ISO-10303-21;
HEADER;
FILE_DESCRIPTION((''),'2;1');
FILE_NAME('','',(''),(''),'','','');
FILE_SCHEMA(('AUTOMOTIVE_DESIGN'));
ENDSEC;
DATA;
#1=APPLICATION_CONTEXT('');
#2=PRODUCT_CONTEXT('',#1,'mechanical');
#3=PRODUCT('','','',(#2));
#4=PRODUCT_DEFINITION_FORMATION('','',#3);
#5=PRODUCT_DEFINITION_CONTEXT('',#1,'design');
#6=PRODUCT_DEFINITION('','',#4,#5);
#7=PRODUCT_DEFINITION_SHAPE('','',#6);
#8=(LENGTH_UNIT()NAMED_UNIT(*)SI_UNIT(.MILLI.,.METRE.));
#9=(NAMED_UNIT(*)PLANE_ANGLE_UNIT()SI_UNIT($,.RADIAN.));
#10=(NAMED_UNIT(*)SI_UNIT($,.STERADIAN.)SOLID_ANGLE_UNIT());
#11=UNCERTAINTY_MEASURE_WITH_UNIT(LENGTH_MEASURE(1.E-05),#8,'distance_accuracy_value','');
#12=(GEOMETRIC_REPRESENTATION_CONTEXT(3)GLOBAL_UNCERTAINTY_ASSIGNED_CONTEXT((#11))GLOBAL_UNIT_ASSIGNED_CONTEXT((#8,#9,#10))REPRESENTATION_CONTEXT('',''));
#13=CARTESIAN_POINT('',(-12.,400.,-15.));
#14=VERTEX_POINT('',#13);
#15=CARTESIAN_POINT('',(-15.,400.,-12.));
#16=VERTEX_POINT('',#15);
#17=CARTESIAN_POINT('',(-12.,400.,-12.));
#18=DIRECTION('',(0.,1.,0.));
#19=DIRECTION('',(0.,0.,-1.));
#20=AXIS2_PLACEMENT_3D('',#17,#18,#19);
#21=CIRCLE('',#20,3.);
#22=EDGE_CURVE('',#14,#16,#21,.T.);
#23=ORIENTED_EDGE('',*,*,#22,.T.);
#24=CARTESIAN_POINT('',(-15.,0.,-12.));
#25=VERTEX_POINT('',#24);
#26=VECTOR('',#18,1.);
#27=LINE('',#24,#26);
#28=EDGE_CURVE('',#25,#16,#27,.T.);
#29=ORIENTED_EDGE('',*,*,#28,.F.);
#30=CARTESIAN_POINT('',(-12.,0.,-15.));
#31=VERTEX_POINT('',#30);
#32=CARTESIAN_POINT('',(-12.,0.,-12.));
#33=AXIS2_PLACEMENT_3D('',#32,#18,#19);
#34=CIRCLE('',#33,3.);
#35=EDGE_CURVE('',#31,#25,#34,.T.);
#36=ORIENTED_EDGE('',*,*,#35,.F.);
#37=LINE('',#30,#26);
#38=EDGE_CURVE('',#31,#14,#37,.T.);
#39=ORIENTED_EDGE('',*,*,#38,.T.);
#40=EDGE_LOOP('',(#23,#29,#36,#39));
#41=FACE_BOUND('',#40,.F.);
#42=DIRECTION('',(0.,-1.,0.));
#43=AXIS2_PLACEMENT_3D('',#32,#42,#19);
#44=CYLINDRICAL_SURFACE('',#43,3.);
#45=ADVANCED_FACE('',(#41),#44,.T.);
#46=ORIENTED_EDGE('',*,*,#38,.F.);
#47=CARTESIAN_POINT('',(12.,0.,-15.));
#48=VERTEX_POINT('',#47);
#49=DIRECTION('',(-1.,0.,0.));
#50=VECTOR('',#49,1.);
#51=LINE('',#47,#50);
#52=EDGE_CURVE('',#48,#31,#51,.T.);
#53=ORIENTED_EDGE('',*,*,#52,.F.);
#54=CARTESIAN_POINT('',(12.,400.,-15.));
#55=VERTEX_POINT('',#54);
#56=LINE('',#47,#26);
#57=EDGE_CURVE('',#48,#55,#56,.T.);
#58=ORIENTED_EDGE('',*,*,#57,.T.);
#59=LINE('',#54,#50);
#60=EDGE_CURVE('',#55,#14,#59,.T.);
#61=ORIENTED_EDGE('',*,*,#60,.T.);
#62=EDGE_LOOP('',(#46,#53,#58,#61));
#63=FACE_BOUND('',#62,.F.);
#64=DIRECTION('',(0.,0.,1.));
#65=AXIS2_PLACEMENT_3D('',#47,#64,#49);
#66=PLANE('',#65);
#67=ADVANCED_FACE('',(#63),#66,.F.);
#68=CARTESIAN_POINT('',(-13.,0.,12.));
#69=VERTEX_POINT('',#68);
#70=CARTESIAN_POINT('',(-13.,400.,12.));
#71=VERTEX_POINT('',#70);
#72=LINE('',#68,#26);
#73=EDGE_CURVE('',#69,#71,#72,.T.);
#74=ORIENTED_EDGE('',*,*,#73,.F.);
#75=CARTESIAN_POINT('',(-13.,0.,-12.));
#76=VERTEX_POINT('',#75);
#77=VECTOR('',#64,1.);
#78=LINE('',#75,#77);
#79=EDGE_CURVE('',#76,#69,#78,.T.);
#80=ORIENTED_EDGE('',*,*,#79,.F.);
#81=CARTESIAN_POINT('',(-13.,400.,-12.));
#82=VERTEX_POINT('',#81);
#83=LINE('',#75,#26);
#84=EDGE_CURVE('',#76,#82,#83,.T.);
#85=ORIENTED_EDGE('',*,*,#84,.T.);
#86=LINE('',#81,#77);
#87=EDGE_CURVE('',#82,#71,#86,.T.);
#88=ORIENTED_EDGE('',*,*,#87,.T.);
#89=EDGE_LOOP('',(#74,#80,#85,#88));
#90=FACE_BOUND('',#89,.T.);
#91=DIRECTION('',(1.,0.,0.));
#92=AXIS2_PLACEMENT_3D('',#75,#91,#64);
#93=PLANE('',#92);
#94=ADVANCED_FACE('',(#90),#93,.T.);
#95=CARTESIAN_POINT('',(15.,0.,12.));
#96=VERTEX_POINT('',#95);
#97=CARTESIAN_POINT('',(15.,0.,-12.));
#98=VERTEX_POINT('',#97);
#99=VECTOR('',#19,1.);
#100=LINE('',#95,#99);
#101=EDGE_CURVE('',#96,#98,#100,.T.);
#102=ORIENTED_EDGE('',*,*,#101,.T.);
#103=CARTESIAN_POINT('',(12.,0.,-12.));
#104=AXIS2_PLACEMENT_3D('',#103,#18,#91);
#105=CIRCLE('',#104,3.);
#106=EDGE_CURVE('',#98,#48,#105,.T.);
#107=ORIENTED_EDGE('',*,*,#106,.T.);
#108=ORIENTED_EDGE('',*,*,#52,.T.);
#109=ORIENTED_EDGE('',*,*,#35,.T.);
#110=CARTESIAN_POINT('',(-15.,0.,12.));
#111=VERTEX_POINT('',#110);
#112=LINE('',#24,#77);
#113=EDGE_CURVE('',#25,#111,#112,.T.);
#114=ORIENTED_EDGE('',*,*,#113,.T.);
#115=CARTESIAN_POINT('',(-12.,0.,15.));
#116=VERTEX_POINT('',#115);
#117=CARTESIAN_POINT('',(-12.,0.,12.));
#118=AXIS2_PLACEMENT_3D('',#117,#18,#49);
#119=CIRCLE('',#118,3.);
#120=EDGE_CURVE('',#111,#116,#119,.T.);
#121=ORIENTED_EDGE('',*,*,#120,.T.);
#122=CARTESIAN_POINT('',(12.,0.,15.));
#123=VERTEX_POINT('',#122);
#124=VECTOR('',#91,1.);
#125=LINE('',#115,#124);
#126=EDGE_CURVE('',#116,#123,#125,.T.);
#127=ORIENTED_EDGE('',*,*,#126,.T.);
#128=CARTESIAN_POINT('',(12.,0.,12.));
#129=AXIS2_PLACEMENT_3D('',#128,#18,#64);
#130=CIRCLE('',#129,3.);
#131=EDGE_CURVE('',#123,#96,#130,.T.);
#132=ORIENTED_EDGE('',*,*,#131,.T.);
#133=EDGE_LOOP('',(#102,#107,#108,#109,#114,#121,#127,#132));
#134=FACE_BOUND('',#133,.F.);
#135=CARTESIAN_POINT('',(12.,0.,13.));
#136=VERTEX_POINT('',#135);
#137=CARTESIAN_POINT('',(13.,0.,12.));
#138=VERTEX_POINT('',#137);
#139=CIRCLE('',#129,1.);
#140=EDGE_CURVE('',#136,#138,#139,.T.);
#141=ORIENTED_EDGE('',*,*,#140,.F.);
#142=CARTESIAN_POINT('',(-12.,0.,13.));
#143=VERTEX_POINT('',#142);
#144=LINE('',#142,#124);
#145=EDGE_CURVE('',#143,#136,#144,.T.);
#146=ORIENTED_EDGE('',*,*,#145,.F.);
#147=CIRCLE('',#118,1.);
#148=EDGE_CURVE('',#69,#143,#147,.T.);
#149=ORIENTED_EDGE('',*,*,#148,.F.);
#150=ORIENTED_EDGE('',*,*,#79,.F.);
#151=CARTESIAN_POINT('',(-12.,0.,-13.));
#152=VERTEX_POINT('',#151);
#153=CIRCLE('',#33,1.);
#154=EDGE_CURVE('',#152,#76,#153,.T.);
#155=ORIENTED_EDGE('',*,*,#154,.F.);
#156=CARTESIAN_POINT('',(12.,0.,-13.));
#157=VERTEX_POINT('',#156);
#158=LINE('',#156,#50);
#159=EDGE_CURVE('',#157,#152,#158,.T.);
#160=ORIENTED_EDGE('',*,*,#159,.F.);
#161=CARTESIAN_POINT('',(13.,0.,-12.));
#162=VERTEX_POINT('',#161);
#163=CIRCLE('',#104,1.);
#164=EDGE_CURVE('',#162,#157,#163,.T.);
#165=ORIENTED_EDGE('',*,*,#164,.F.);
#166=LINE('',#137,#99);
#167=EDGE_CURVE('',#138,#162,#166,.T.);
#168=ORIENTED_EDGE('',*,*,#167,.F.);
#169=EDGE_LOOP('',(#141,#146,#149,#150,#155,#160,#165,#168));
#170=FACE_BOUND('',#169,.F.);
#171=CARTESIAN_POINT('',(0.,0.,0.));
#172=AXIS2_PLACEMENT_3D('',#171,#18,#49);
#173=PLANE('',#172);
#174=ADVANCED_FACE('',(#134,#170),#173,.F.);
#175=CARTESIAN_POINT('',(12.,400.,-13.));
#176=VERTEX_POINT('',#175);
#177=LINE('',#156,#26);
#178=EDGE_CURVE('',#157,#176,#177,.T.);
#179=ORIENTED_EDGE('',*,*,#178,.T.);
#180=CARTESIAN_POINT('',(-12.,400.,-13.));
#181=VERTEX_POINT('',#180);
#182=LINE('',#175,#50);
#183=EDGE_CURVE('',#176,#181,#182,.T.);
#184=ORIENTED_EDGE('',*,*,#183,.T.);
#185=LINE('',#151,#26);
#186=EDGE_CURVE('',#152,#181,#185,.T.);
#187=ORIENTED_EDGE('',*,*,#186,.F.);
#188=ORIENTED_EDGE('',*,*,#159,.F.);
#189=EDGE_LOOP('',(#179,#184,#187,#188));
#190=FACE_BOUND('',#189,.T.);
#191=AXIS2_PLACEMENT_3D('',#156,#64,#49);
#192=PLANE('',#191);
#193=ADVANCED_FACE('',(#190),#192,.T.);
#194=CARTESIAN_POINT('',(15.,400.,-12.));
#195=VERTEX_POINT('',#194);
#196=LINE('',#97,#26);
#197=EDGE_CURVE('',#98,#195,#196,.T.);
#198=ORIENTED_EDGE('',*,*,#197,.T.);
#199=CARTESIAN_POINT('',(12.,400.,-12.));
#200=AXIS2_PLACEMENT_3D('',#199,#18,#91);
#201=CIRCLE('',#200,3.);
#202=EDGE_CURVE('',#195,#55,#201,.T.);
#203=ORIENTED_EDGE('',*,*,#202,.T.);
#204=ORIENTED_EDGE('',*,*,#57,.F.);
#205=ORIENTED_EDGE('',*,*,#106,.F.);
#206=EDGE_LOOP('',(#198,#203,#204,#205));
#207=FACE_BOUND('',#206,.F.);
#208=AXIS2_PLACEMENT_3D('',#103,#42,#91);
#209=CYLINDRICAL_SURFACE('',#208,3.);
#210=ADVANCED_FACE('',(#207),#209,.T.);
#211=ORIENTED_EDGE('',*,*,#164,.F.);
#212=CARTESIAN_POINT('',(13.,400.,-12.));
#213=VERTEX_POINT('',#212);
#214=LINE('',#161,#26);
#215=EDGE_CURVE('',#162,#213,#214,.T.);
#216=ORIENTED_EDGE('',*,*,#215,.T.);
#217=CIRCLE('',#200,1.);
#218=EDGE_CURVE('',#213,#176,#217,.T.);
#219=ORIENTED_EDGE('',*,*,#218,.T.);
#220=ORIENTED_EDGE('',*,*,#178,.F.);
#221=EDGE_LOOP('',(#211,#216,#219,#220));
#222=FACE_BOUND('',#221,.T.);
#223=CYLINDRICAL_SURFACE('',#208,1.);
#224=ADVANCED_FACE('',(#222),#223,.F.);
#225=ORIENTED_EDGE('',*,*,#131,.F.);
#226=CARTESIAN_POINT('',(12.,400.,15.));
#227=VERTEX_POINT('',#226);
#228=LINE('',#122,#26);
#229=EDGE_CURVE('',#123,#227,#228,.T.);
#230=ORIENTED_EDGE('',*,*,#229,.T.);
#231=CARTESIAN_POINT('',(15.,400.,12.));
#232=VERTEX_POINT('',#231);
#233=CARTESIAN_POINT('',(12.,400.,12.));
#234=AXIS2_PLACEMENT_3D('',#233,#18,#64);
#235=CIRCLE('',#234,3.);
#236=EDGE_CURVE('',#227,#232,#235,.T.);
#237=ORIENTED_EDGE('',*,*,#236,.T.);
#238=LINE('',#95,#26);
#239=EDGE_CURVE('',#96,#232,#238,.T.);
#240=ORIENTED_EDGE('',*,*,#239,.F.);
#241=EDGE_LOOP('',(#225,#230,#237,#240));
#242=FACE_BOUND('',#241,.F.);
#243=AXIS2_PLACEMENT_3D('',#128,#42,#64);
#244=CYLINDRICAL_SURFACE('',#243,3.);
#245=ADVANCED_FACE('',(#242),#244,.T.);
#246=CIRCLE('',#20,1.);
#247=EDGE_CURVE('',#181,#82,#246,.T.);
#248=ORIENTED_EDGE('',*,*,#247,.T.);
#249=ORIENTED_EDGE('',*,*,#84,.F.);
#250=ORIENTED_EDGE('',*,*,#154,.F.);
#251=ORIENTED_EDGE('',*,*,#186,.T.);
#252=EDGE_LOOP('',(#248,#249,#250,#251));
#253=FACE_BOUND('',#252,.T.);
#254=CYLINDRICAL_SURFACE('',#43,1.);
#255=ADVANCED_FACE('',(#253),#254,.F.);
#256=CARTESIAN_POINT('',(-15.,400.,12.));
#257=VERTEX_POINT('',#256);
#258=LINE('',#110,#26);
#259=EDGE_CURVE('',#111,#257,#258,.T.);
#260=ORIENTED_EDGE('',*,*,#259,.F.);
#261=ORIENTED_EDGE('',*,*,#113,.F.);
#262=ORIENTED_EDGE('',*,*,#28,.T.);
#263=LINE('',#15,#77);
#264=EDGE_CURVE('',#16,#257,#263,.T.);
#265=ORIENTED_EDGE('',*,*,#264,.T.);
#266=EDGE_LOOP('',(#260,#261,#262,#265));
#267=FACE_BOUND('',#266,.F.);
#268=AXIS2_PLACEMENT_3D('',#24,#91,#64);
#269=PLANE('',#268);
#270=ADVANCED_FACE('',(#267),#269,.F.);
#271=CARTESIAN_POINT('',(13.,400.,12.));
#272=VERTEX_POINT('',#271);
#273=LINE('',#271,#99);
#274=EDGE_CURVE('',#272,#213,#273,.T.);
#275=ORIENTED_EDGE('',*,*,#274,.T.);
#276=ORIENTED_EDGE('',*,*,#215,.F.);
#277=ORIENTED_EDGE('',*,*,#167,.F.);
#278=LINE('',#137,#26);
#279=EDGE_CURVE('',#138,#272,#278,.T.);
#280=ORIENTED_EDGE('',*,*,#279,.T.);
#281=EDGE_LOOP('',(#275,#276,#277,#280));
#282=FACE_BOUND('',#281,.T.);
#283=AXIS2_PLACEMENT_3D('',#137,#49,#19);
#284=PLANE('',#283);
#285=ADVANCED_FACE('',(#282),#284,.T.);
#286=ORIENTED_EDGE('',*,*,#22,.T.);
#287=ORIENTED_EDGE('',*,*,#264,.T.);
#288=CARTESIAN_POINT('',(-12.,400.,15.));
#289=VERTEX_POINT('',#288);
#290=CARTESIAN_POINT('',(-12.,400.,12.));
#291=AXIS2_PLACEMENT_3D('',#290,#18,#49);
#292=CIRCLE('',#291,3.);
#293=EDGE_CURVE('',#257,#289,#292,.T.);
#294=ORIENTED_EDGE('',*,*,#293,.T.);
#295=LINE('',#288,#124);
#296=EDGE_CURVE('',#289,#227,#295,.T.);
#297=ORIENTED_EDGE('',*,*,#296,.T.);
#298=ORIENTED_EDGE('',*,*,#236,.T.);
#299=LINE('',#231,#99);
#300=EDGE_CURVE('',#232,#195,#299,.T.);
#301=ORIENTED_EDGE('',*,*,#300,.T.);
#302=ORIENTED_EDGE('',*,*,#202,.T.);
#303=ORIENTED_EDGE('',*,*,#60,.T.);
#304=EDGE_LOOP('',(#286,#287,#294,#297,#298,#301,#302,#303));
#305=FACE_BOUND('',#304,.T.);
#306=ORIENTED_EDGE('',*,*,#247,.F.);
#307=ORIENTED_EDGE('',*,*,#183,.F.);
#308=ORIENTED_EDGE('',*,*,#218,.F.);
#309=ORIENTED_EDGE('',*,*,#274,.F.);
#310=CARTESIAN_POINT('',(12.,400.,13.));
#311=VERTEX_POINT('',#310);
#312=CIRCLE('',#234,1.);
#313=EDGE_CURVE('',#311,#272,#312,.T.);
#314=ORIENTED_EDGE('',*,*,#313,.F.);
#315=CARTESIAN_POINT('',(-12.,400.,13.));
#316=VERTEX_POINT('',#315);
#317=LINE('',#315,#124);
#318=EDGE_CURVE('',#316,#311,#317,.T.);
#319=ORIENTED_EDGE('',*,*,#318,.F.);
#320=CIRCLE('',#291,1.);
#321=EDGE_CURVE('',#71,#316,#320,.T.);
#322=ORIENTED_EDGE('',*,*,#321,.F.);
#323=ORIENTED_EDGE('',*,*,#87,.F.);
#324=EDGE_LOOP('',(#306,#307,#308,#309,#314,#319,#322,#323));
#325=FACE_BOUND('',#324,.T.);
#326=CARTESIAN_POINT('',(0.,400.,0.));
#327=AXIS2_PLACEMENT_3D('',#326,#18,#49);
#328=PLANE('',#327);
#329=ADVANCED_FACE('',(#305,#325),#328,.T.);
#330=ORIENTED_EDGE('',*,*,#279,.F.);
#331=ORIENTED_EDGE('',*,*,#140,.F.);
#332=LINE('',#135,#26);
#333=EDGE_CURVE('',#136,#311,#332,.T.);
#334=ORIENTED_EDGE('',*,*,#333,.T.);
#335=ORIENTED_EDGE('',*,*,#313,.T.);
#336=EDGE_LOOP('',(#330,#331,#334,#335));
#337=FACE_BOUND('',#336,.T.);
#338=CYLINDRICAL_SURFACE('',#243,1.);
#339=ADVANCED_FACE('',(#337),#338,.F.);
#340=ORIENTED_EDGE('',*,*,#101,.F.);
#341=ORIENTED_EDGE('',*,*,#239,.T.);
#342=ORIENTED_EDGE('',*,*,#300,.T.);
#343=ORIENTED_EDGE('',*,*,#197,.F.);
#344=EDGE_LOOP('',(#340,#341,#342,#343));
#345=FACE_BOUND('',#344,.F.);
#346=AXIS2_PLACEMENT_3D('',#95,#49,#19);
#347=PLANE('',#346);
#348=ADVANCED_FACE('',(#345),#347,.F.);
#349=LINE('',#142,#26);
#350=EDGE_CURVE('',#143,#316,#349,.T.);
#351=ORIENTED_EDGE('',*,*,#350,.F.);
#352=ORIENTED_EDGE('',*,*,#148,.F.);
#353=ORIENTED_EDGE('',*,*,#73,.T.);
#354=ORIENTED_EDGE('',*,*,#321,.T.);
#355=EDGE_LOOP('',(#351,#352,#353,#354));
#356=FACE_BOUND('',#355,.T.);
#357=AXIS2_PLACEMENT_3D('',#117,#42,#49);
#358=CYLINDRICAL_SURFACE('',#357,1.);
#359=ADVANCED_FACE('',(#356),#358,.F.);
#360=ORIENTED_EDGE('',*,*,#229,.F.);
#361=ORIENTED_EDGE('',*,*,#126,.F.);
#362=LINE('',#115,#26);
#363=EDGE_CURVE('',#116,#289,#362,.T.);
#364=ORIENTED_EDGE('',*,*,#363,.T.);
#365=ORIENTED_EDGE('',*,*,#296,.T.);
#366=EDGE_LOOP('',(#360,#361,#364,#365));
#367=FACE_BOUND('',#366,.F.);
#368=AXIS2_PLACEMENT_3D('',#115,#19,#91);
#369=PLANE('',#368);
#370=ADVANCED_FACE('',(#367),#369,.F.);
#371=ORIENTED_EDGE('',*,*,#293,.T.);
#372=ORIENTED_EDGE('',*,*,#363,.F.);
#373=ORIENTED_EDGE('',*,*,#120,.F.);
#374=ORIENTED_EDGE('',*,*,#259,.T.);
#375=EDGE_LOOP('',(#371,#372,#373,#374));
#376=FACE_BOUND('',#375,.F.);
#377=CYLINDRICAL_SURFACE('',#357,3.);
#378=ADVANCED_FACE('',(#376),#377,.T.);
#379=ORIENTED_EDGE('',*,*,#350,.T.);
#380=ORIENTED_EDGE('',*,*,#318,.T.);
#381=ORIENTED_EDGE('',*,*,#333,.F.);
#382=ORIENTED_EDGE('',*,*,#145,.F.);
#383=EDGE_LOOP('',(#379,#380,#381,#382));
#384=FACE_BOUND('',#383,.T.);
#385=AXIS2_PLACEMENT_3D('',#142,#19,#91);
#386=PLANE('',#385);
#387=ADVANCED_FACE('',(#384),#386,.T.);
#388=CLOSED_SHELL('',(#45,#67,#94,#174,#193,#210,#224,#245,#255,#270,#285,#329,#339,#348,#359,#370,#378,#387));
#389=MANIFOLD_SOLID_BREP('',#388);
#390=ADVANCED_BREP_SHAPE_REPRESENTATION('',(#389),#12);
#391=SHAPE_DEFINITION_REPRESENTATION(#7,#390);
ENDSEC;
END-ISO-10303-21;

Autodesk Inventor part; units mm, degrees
ref_plane "YZ Plane" through (0, 0, 0) normal (1, 0, 0) x (0, 1, 0)
ref_plane "XZ Plane" through (0, 0, 0) normal (0, 1, 0) x (-1, 0, 0)
sketch "Sketch1" plane through (0, 0, 0) normal (0, 1, 0) x (-1, 0, 0)
  line L0 (-12, 14) -> (12, 14) construction
  line L1 (14, 12) -> (14, -12) construction
  line L2 (12, -14) -> (-12, -14) construction
  line L3 (-14, -12) -> (-14, 12) construction
  line L4 (-14, 14) -> (14, -14) construction
  line L5 (14, 14) -> (-14, -14) construction
  arc A0 (14, 12) -> (12, 14) centre (12, 12) ccw construction
  arc A1 (12, -14) -> (14, -12) centre (12, -12) ccw construction
  arc A2 (-14, -12) -> (-12, -14) centre (-12, -12) ccw construction
  arc A3 (-12, 14) -> (-14, 12) centre (-12, 12) ccw construction
  line L6 (-12, -15) -> (12, -15)
  arc A4 (12, -15) -> (15, -12) centre (12, -12) ccw
  line L7 (15, -12) -> (15, 12)
  arc A5 (15, 12) -> (12, 15) centre (12, 12) ccw
  line L8 (12, 15) -> (-12, 15)
  arc A6 (-12, 15) -> (-15, 12) centre (-12, 12) ccw
  line L9 (-15, 12) -> (-15, -12)
  arc A7 (-15, -12) -> (-12, -15) centre (-12, -12) ccw
  line L10 (13, -12) -> (13, 12)
  arc A8 (13, 12) -> (12, 13) centre (12, 12) ccw
  line L11 (12, 13) -> (-12, 13)
  arc A9 (-12, 13) -> (-13, 12) centre (-12, 12) ccw
  line L12 (-13, 12) -> (-13, -12)
  arc A10 (-13, -12) -> (-12, -13) centre (-12, -12) ccw
  line L13 (-12, -13) -> (12, -13)
  arc A11 (12, -13) -> (13, -12) centre (12, -12) ccw
  point P0 (0, 0)
  point P1 (0, 0)
  point P2 (0, 0)
  dimension "d10" = 2
  dimension "depth" = 30
  dimension "width" = 30
  dimension "thickness" = 2
extrude "Extrusion1" add sketch "Sketch1" along normal blind 400
ref_plane "Work Plane1" through (0, 200, 0) normal (0, -1, 0) x (1, 0, 0)
equation "\"d10\" = thickness"
properties part number "podest duzy profil 6" material "Steel"
